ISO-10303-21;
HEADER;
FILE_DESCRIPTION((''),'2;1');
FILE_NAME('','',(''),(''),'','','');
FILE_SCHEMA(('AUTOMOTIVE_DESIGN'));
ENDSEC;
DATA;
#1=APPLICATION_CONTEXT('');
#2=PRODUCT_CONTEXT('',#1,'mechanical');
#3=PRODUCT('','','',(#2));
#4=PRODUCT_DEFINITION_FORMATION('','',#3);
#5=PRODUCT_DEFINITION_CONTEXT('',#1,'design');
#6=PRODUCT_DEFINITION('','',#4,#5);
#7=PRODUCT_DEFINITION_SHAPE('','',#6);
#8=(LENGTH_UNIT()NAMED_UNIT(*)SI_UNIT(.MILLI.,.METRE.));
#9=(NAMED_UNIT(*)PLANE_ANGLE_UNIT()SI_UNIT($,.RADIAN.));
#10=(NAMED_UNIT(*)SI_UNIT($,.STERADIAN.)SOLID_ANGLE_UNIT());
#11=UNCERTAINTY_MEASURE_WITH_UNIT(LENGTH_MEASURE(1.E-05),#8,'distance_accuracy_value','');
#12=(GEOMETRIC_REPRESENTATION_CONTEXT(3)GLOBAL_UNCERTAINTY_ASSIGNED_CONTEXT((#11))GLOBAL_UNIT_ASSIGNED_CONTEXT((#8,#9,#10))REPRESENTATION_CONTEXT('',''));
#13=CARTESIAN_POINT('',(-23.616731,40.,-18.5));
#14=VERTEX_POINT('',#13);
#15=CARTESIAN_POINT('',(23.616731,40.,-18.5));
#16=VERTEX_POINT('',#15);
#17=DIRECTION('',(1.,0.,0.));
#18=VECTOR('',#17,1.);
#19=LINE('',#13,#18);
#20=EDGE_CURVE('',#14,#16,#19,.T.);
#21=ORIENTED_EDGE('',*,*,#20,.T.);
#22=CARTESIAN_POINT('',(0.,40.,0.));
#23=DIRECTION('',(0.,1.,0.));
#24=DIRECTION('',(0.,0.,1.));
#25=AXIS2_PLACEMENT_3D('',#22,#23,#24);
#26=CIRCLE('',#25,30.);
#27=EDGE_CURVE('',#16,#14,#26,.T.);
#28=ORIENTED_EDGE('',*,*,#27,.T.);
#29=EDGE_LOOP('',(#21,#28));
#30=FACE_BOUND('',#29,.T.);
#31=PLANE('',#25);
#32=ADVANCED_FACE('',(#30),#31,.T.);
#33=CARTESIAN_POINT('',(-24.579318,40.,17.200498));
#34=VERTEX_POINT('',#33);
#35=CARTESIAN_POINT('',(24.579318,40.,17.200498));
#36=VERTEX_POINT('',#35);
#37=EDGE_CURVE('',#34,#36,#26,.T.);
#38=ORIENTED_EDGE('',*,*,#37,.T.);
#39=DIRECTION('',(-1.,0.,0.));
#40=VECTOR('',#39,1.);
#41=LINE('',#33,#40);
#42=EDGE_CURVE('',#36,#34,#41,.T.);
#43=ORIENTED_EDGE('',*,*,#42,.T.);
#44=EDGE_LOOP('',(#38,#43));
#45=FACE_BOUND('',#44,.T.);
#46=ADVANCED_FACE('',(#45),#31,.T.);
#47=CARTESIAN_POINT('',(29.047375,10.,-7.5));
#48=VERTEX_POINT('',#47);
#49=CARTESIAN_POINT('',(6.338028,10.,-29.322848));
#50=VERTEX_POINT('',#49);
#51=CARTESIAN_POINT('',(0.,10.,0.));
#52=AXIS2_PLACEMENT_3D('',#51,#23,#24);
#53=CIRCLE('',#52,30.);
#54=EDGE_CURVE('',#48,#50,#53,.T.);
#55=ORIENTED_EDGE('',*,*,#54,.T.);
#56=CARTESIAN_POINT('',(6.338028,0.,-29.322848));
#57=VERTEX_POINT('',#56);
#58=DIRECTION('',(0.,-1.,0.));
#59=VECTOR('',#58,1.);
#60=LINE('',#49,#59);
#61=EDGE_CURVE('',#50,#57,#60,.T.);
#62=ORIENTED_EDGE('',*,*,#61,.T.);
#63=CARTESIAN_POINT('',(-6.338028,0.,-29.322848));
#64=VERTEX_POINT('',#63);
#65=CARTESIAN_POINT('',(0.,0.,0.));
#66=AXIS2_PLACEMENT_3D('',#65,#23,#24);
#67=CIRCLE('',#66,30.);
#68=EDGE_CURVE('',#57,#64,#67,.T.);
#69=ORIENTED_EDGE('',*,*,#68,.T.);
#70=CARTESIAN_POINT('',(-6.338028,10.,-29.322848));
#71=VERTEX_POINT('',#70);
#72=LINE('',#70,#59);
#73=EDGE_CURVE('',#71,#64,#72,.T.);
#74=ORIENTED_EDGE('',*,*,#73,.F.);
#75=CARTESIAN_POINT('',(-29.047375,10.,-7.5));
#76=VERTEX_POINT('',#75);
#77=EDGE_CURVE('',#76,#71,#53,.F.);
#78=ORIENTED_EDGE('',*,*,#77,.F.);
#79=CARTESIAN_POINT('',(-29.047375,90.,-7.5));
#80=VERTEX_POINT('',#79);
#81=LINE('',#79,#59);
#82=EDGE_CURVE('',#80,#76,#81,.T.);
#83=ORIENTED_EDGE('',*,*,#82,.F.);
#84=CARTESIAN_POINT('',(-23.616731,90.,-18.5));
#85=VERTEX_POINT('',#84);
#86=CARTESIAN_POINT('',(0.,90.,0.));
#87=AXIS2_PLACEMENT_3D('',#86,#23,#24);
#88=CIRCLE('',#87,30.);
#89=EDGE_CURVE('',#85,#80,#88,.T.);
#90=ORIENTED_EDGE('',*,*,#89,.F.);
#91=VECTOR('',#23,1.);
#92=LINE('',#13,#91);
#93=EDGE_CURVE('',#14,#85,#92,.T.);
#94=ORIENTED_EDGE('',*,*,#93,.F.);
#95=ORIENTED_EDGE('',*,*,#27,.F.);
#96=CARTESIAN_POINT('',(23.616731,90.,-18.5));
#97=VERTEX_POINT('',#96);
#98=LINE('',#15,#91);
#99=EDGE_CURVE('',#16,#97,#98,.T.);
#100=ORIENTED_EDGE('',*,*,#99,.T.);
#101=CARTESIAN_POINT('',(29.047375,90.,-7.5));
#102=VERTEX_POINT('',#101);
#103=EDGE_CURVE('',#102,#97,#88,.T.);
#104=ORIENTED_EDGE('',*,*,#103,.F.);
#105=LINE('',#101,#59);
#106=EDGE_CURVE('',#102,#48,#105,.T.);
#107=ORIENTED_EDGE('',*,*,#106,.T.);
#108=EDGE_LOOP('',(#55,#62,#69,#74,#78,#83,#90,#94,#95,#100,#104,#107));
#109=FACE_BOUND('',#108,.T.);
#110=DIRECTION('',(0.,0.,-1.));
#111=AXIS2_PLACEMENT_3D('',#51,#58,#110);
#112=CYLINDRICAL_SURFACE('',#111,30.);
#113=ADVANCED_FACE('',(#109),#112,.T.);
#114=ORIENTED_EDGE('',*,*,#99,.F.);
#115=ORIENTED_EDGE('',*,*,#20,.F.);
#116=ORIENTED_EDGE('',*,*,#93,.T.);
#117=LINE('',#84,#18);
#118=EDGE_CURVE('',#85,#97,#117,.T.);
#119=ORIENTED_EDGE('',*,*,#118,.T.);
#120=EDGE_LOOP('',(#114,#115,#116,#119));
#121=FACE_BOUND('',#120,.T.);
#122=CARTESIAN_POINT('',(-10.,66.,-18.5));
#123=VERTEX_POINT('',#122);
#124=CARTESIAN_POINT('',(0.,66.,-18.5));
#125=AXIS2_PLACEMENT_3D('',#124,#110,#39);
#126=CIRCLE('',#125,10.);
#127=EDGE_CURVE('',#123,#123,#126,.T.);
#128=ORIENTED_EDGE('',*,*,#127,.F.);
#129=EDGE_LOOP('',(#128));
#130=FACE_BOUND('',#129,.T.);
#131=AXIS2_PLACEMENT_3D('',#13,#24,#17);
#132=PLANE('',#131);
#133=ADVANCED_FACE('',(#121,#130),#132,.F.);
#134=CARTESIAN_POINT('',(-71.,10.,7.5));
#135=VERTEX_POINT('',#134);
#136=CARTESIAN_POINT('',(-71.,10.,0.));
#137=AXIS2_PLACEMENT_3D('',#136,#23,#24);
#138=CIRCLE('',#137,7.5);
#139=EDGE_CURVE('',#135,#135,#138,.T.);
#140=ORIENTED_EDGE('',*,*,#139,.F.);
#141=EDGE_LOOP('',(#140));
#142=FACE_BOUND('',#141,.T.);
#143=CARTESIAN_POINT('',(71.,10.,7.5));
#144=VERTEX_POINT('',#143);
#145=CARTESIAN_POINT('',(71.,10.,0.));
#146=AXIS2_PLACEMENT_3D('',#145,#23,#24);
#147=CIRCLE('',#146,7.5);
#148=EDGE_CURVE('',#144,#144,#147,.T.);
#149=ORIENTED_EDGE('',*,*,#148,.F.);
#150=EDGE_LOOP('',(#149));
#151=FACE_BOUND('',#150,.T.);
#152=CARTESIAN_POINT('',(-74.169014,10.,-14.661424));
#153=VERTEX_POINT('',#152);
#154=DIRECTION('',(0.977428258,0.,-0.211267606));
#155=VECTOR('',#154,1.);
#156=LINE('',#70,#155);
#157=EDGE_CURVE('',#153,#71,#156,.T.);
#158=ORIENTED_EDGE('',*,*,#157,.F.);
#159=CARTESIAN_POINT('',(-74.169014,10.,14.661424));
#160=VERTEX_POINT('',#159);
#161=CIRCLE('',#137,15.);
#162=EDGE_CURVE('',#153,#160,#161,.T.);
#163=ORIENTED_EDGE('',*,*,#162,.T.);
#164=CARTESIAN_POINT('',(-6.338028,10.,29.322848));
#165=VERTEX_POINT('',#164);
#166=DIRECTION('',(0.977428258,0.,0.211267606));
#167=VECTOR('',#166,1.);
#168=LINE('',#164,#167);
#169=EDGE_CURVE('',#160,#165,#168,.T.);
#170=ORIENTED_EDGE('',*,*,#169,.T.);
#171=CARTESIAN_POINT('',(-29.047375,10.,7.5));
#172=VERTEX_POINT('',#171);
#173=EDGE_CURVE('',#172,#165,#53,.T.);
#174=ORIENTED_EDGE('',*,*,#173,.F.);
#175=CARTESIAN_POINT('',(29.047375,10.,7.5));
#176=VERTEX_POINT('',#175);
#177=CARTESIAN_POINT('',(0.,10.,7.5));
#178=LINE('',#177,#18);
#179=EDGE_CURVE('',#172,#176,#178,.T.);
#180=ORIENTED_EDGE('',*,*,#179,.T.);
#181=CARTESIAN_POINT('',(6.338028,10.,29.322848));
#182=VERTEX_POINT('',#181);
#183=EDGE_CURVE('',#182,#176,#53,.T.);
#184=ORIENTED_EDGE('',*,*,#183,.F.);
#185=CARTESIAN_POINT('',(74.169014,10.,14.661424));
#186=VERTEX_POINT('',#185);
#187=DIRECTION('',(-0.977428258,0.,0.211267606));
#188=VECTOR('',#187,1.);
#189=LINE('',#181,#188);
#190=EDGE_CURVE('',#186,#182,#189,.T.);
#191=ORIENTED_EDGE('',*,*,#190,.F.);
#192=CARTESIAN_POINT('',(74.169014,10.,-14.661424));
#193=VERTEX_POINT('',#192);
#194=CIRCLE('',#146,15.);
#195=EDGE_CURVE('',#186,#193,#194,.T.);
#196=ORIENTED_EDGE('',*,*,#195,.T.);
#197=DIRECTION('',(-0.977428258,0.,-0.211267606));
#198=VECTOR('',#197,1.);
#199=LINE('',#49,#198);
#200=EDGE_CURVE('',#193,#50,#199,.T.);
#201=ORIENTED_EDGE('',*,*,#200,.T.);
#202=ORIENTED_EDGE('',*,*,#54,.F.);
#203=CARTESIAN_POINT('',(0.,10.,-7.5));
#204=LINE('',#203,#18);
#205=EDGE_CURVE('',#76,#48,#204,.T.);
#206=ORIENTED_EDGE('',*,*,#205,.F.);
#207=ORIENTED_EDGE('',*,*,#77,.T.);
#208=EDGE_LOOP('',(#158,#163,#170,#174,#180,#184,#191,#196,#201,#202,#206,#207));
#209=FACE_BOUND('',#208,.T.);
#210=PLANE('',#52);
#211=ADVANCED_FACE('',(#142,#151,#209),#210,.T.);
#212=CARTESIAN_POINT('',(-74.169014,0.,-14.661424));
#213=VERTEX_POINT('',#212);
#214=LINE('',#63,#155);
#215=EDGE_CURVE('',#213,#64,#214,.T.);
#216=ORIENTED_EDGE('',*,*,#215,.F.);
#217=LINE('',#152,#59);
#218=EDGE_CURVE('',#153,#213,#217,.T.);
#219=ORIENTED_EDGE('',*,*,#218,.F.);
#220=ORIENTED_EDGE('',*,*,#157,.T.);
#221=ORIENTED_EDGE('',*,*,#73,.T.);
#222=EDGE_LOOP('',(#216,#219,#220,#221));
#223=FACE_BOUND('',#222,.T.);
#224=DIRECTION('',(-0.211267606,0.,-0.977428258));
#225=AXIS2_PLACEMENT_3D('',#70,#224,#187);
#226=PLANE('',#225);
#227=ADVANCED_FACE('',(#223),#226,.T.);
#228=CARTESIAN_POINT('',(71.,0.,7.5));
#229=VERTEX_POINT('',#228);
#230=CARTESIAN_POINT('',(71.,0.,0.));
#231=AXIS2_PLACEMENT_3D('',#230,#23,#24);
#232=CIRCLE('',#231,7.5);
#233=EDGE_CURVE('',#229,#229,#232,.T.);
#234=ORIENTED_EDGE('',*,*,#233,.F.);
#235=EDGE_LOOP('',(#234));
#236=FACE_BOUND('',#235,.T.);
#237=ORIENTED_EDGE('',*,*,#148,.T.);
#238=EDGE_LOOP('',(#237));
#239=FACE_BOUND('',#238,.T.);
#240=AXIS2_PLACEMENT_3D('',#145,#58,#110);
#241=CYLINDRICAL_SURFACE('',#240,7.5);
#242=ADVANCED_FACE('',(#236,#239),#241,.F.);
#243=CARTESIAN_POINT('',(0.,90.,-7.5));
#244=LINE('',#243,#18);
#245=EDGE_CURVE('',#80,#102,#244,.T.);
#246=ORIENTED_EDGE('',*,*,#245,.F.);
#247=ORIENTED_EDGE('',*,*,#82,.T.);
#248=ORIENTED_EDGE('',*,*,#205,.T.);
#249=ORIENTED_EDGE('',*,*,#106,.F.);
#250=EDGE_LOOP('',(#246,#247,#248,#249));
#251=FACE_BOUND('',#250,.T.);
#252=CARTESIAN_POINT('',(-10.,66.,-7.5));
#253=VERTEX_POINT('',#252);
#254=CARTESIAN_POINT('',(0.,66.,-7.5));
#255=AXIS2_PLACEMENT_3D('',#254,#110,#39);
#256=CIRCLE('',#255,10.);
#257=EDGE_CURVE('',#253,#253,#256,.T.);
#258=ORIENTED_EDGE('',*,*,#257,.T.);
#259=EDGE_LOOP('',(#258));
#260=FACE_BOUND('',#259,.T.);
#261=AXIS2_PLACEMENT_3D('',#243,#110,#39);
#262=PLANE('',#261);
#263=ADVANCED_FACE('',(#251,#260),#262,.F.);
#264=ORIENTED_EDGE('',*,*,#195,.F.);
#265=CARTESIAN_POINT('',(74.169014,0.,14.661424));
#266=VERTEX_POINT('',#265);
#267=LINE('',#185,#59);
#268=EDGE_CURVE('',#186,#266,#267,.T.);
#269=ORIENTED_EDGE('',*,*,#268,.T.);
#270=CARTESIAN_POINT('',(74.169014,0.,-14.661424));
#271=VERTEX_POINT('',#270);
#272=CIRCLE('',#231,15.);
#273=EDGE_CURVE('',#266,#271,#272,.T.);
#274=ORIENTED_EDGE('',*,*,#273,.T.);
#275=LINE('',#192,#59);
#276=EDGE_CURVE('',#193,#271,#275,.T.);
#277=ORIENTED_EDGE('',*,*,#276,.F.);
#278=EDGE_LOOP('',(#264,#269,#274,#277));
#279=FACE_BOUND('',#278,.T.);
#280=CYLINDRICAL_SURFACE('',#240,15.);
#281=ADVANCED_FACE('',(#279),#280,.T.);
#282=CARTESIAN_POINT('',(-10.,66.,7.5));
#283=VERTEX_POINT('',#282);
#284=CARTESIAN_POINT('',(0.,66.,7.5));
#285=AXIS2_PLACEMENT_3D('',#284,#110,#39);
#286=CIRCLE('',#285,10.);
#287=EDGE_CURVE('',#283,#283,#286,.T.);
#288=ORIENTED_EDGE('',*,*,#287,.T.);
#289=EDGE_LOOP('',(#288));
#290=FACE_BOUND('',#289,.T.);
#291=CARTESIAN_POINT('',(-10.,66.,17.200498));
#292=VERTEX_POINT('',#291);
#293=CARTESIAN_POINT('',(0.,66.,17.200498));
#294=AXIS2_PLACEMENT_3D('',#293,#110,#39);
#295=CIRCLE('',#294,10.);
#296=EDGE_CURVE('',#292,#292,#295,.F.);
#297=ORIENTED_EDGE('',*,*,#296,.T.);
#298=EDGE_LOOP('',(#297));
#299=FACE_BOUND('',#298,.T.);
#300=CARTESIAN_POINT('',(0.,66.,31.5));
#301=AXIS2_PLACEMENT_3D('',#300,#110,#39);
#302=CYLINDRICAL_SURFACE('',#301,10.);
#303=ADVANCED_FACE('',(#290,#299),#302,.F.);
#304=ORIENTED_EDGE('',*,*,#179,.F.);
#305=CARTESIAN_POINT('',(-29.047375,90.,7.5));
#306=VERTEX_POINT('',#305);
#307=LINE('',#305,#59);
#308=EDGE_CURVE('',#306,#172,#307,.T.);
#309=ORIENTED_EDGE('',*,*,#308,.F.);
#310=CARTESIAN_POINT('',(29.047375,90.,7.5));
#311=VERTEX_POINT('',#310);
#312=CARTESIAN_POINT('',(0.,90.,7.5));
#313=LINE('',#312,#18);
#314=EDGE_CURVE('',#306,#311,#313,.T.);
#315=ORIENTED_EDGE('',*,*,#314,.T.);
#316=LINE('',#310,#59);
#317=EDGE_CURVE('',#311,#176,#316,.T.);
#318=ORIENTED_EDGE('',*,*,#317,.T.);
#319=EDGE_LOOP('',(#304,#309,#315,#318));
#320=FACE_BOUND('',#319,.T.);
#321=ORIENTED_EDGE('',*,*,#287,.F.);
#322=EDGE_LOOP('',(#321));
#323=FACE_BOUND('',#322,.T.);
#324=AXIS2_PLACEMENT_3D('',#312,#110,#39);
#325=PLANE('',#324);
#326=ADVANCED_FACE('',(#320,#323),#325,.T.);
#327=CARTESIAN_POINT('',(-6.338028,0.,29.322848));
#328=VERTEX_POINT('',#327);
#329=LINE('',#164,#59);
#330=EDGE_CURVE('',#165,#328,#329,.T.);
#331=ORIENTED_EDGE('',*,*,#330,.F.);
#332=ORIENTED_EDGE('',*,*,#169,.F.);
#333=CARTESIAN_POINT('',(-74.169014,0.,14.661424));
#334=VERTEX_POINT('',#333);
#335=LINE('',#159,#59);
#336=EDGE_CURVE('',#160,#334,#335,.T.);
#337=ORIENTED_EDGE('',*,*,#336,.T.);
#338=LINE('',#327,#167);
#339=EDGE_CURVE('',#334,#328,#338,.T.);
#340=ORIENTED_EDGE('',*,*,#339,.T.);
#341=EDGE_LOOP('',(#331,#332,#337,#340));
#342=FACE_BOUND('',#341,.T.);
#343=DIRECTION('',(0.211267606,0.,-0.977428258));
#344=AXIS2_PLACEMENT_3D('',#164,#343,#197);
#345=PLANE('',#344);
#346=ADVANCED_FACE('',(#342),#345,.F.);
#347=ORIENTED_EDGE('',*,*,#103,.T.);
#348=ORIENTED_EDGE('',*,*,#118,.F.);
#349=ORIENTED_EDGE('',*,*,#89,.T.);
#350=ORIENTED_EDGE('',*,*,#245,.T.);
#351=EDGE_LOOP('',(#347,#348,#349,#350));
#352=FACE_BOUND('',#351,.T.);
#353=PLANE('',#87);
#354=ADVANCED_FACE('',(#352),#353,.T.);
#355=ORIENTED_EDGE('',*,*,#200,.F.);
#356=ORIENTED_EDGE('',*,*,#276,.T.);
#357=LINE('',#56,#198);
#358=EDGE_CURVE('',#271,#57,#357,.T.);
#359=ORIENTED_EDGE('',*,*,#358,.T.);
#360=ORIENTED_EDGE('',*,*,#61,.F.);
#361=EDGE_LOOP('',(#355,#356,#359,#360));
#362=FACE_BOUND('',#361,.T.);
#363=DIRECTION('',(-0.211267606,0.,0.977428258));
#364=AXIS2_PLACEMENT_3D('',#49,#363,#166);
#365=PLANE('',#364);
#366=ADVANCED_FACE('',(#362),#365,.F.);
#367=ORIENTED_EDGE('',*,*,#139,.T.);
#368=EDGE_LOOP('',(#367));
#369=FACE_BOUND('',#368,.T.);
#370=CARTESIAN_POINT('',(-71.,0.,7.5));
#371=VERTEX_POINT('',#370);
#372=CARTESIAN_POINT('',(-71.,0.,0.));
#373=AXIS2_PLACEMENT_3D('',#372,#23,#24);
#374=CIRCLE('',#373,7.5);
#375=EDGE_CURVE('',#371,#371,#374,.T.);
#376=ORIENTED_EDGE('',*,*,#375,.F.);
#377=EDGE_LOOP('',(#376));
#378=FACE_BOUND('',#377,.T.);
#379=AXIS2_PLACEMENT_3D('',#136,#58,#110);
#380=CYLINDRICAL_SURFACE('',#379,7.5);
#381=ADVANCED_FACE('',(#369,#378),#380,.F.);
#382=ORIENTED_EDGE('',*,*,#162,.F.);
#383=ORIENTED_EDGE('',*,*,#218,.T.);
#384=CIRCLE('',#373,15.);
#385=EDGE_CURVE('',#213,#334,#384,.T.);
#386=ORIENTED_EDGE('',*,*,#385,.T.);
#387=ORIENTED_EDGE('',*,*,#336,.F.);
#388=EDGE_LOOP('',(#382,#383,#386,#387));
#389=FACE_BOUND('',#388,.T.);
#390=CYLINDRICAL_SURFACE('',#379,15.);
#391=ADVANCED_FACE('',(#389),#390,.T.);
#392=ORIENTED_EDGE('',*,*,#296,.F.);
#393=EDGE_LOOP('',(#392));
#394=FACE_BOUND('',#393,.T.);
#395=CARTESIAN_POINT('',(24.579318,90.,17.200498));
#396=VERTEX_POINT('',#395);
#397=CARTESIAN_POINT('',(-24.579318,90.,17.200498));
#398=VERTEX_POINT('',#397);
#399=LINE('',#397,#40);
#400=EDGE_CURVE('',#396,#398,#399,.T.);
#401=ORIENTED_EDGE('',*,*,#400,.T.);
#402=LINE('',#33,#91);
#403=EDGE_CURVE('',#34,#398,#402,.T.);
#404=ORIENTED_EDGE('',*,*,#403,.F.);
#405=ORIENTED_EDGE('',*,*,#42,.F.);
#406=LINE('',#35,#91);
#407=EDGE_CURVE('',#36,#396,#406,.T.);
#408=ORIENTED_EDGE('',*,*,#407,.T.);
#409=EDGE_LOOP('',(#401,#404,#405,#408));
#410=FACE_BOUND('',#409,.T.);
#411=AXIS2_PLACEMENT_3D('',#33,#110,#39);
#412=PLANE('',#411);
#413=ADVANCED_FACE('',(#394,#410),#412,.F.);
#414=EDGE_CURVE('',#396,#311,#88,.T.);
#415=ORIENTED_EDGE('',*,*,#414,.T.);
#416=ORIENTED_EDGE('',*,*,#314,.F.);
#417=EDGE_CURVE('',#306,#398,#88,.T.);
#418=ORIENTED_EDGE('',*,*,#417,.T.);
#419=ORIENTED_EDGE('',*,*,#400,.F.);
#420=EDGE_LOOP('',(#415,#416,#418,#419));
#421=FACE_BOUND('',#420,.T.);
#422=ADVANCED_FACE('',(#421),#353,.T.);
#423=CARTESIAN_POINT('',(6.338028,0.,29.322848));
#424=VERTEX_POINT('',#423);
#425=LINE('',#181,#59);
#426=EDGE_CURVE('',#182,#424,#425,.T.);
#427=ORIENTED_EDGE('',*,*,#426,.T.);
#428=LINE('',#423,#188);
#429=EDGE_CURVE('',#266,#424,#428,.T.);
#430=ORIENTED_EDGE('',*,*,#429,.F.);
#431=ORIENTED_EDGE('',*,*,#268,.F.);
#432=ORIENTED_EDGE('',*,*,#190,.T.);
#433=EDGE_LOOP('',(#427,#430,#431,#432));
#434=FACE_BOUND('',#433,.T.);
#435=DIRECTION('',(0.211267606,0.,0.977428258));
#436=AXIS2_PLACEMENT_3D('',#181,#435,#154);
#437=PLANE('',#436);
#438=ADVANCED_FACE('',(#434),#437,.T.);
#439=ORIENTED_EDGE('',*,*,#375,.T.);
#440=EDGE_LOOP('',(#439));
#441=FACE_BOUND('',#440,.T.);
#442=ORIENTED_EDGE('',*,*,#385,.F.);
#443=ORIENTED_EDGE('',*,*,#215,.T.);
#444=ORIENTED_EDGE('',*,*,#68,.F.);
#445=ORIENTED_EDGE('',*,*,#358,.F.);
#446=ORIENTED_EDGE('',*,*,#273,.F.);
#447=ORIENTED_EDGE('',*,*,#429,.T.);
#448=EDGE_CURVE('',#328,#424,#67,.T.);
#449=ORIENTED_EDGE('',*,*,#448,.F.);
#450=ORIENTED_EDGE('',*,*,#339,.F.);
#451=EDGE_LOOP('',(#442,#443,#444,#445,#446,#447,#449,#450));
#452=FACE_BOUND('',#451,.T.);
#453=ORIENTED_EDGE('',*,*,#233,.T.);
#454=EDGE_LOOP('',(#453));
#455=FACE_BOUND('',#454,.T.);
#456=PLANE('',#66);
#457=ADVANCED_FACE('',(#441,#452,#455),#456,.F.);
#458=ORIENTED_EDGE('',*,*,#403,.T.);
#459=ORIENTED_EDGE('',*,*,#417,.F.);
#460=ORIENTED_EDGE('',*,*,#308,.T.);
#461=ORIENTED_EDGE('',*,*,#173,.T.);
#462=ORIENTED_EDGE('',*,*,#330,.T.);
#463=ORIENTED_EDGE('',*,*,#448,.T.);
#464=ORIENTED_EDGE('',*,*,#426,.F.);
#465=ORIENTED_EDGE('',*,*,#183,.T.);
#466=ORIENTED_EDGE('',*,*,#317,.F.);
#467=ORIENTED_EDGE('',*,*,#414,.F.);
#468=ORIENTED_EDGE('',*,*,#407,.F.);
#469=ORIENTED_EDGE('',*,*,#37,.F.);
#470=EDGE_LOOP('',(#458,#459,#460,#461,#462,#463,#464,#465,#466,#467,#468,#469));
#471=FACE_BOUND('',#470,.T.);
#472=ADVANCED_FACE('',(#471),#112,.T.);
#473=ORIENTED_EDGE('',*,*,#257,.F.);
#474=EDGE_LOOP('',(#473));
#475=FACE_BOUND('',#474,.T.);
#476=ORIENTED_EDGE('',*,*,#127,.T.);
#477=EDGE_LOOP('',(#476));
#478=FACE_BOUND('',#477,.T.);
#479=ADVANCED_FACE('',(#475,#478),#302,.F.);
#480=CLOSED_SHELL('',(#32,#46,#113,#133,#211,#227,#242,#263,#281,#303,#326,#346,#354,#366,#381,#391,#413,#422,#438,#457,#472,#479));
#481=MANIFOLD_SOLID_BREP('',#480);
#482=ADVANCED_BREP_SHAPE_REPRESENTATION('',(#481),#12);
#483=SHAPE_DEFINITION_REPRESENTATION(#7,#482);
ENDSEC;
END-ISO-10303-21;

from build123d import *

# Parameters (mm, degrees)
CROQUIS1_R              = 7.5
SALIENTE_EXTRUIR1_DEPTH = 10
SALIENTE_EXTRUIR2_DEPTH = 80
CORTAR_EXTRUIR1_DEPTH   = 50
CROQUIS5_R              = 10
CORTAR_EXTRUIR2_DEPTH   = 50
CORTAR_EXTRUIR3_DEPTH   = 50


with BuildPart() as part:
    # Croquis1 → Saliente-Extruir1 (new body)
    with BuildSketch(Plane(origin=(0, 0, 0), x_dir=(1, 0, 0), z_dir=(0, 1, 0))):
        with BuildLine():
            Line((-6.338028169, 29.322847729), (-74.169014085, 14.661423864))
            ThreePointArc((-74.169014085, 14.661423864), (-86, 0), (-74.169014085, -14.661423864))
            Line((-74.169014085, -14.661423864), (-6.338028169, -29.322847729))
            ThreePointArc((-6.338028169, -29.322847729), (0, -30), (6.338028169, -29.322847729))
            Line((6.338028169, -29.322847729), (74.169014085, -14.661423864))
            ThreePointArc((74.169014085, -14.661423864), (86, 0), (74.169014085, 14.661423864))
            Line((74.169014085, 14.661423864), (6.338028169, 29.322847729))
            ThreePointArc((6.338028169, 29.322847729), (0, 30), (-6.338028169, 29.322847729))
        make_face()
        with Locations((-71, 0)):
            Circle(CROQUIS1_R, mode=Mode.SUBTRACT)
        with Locations((71, 0)):
            Circle(CROQUIS1_R, mode=Mode.SUBTRACT)
    extrude(amount=SALIENTE_EXTRUIR1_DEPTH)

    # Croquis2 → Saliente-Extruir2 (add)
    with BuildSketch(Plane(origin=(0, 10, 0), x_dir=(1, 0, 0), z_dir=(0, 1, 0))):
        with BuildLine():
            Line((29.047375097, -7.5), (-29.047375097, -7.5))
            ThreePointArc((-29.047375097, -7.5), (-20.786795371, -21.631207506), (-6.338028169, -29.322847729))
            ThreePointArc((-6.338028169, -29.322847729), (0, -30), (6.338028169, -29.322847729))
            ThreePointArc((6.338028169, -29.322847729), (20.786795371, -21.631207506), (29.047375097, -7.5))
        make_face()
        with BuildLine():
            ThreePointArc((-6.338028169, 29.322847729), (-20.786795371, 21.631207506), (-29.047375097, 7.5))
            Line((-29.047375097, 7.5), (29.047375097, 7.5))
            ThreePointArc((29.047375097, 7.5), (20.786795371, 21.631207506), (6.338028169, 29.322847729))
            ThreePointArc((6.338028169, 29.322847729), (0, 30), (-6.338028169, 29.322847729))
        make_face()
    extrude(amount=SALIENTE_EXTRUIR2_DEPTH)

    # Croquis4 → Cortar-Extruir1 (cut)
    with BuildSketch(Plane(origin=(0, 90, 0), x_dir=(1, 0, 0), z_dir=(0, 1, 0))):
        with BuildLine():
            Line((-23.616731357, 18.5), (23.616731357, 18.5))
            ThreePointArc((23.616731357, 18.5), (0, 30), (-23.616731357, 18.5))
        make_face()
    extrude(amount=-CORTAR_EXTRUIR1_DEPTH, mode=Mode.SUBTRACT)

    # Croquis5 → Cortar-Extruir2 (cut)
    with BuildSketch(Plane(origin=(0, 0, -18.5), x_dir=(-1, 0, 0), z_dir=(0, 0, -1))):
        with Locations((0, 66)):
            Circle(CROQUIS5_R)
    extrude(amount=-CORTAR_EXTRUIR2_DEPTH, mode=Mode.SUBTRACT)

    # Croquis6 → Cortar-Extruir3 (cut)
    with BuildSketch(Plane(origin=(0, 90, 0), x_dir=(1, 0, 0), z_dir=(0, 1, 0))):
        with BuildLine():
            Line((-24.57931818, -17.200497604), (24.57931818, -17.200497604))
            ThreePointArc((24.57931818, -17.200497604), (0, -30), (-24.57931818, -17.200497604))
        make_face()
    extrude(amount=-CORTAR_EXTRUIR3_DEPTH, mode=Mode.SUBTRACT)


solid = part.part
